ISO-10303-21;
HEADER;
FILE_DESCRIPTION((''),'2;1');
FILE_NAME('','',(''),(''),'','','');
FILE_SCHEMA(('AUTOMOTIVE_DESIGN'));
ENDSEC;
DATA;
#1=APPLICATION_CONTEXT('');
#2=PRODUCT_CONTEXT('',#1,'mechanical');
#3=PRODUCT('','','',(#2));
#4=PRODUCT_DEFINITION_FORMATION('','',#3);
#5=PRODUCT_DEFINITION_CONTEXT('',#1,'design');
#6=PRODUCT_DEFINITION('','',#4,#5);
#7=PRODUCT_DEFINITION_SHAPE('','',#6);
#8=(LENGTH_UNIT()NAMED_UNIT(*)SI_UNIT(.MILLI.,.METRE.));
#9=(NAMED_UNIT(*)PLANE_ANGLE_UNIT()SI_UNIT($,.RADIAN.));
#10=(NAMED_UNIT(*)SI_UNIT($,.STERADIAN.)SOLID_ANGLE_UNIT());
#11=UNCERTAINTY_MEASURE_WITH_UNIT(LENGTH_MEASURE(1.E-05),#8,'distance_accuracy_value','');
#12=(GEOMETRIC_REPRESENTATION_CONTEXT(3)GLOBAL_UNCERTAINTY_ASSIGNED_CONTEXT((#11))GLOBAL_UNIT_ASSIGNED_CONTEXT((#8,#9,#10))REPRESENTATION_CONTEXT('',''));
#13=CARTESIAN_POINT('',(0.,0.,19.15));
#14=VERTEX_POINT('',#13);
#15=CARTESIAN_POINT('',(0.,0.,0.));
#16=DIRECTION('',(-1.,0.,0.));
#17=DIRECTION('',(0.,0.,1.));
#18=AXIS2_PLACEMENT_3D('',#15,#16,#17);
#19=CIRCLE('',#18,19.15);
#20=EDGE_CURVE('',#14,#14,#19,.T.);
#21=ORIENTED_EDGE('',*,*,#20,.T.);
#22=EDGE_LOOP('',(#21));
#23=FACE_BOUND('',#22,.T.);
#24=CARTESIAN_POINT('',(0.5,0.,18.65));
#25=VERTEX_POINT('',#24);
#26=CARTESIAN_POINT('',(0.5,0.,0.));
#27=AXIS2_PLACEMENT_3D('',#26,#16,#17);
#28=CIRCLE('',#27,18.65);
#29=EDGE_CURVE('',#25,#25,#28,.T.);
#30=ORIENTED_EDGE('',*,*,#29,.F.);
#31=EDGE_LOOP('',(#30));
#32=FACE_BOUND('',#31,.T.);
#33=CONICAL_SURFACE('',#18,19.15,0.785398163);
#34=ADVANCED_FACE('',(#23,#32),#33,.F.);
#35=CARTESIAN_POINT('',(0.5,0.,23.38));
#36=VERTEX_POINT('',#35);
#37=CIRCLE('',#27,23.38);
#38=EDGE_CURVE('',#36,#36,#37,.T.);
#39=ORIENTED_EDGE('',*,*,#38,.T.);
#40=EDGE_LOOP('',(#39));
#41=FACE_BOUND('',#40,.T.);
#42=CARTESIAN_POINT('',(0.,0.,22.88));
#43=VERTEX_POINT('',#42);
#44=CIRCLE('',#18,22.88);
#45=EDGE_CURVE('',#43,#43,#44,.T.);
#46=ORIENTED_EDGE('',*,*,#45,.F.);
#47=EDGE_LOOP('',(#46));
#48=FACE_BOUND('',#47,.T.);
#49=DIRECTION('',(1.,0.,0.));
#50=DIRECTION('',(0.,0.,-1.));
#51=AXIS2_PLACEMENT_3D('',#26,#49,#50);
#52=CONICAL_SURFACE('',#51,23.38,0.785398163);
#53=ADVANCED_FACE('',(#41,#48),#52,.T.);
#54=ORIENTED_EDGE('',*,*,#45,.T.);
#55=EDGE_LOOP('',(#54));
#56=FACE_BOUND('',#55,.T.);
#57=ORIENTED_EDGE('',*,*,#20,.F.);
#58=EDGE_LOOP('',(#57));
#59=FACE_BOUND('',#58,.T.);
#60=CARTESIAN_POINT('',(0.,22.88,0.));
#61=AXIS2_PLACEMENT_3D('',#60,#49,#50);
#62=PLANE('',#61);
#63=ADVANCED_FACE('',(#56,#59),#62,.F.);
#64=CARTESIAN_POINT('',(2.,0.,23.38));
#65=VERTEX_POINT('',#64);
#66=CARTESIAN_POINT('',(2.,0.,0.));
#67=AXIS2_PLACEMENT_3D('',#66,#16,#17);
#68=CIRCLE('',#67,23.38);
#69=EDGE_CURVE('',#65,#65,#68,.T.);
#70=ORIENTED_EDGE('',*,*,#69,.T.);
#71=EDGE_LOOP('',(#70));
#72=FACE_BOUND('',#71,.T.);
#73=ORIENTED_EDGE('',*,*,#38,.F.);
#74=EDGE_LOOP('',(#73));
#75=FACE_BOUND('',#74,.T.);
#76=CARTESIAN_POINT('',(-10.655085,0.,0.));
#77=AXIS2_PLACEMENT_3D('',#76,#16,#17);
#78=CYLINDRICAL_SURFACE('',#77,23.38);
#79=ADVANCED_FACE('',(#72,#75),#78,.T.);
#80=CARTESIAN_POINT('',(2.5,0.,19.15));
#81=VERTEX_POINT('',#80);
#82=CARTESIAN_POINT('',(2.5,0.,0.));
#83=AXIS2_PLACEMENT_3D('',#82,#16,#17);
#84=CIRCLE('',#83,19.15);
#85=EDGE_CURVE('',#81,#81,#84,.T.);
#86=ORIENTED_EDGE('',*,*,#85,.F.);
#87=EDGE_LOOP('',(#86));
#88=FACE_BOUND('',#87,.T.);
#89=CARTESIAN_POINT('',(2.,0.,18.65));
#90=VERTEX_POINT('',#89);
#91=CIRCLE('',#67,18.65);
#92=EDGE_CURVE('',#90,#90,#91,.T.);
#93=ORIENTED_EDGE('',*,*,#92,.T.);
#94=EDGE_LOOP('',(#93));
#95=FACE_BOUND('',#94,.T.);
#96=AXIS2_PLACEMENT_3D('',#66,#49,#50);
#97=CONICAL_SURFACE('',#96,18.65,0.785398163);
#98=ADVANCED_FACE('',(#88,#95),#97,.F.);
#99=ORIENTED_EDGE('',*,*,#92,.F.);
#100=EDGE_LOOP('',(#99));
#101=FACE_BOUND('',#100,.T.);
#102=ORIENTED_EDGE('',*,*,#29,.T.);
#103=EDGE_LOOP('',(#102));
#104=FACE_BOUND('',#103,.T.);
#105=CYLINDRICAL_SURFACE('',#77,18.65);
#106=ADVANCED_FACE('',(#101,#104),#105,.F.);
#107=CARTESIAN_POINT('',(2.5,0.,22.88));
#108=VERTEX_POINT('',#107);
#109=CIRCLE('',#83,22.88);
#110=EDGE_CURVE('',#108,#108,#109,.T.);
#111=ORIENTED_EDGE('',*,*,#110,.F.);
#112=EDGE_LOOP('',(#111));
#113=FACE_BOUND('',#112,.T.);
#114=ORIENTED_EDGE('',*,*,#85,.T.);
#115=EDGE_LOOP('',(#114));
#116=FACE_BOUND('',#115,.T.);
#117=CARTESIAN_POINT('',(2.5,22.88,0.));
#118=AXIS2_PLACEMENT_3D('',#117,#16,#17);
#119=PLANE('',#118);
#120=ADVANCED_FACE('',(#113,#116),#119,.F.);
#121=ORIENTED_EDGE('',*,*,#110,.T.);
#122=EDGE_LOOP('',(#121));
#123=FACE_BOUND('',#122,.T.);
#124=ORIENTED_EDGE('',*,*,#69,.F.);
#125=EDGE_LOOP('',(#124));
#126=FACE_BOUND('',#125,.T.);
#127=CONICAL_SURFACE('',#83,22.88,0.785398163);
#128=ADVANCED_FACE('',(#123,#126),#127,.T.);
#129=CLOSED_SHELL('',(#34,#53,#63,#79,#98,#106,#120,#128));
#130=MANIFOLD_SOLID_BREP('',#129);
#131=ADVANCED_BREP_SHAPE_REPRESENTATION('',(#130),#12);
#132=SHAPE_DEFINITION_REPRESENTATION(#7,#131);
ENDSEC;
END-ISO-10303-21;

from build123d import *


with BuildPart() as part:
    # Esquisse1 → Révolution1 (revolve)
    with BuildSketch(Plane.XY, mode=Mode.PRIVATE) as r_volution1_sk:
        Polygon((0, 22.88), (0.5, 23.38), (2, 23.38), (2.5, 22.88), (2.5, 19.15), (2, 18.65), (0.5, 18.65), (0, 19.15), align=None)
    revolve(r_volution1_sk.sketch.rotate(Axis((-10.655084746, 0, 0), (1, 0, 0)), 90), axis=Axis((-10.655084746, 0, 0), (1, 0, 0)))


solid = part.part
